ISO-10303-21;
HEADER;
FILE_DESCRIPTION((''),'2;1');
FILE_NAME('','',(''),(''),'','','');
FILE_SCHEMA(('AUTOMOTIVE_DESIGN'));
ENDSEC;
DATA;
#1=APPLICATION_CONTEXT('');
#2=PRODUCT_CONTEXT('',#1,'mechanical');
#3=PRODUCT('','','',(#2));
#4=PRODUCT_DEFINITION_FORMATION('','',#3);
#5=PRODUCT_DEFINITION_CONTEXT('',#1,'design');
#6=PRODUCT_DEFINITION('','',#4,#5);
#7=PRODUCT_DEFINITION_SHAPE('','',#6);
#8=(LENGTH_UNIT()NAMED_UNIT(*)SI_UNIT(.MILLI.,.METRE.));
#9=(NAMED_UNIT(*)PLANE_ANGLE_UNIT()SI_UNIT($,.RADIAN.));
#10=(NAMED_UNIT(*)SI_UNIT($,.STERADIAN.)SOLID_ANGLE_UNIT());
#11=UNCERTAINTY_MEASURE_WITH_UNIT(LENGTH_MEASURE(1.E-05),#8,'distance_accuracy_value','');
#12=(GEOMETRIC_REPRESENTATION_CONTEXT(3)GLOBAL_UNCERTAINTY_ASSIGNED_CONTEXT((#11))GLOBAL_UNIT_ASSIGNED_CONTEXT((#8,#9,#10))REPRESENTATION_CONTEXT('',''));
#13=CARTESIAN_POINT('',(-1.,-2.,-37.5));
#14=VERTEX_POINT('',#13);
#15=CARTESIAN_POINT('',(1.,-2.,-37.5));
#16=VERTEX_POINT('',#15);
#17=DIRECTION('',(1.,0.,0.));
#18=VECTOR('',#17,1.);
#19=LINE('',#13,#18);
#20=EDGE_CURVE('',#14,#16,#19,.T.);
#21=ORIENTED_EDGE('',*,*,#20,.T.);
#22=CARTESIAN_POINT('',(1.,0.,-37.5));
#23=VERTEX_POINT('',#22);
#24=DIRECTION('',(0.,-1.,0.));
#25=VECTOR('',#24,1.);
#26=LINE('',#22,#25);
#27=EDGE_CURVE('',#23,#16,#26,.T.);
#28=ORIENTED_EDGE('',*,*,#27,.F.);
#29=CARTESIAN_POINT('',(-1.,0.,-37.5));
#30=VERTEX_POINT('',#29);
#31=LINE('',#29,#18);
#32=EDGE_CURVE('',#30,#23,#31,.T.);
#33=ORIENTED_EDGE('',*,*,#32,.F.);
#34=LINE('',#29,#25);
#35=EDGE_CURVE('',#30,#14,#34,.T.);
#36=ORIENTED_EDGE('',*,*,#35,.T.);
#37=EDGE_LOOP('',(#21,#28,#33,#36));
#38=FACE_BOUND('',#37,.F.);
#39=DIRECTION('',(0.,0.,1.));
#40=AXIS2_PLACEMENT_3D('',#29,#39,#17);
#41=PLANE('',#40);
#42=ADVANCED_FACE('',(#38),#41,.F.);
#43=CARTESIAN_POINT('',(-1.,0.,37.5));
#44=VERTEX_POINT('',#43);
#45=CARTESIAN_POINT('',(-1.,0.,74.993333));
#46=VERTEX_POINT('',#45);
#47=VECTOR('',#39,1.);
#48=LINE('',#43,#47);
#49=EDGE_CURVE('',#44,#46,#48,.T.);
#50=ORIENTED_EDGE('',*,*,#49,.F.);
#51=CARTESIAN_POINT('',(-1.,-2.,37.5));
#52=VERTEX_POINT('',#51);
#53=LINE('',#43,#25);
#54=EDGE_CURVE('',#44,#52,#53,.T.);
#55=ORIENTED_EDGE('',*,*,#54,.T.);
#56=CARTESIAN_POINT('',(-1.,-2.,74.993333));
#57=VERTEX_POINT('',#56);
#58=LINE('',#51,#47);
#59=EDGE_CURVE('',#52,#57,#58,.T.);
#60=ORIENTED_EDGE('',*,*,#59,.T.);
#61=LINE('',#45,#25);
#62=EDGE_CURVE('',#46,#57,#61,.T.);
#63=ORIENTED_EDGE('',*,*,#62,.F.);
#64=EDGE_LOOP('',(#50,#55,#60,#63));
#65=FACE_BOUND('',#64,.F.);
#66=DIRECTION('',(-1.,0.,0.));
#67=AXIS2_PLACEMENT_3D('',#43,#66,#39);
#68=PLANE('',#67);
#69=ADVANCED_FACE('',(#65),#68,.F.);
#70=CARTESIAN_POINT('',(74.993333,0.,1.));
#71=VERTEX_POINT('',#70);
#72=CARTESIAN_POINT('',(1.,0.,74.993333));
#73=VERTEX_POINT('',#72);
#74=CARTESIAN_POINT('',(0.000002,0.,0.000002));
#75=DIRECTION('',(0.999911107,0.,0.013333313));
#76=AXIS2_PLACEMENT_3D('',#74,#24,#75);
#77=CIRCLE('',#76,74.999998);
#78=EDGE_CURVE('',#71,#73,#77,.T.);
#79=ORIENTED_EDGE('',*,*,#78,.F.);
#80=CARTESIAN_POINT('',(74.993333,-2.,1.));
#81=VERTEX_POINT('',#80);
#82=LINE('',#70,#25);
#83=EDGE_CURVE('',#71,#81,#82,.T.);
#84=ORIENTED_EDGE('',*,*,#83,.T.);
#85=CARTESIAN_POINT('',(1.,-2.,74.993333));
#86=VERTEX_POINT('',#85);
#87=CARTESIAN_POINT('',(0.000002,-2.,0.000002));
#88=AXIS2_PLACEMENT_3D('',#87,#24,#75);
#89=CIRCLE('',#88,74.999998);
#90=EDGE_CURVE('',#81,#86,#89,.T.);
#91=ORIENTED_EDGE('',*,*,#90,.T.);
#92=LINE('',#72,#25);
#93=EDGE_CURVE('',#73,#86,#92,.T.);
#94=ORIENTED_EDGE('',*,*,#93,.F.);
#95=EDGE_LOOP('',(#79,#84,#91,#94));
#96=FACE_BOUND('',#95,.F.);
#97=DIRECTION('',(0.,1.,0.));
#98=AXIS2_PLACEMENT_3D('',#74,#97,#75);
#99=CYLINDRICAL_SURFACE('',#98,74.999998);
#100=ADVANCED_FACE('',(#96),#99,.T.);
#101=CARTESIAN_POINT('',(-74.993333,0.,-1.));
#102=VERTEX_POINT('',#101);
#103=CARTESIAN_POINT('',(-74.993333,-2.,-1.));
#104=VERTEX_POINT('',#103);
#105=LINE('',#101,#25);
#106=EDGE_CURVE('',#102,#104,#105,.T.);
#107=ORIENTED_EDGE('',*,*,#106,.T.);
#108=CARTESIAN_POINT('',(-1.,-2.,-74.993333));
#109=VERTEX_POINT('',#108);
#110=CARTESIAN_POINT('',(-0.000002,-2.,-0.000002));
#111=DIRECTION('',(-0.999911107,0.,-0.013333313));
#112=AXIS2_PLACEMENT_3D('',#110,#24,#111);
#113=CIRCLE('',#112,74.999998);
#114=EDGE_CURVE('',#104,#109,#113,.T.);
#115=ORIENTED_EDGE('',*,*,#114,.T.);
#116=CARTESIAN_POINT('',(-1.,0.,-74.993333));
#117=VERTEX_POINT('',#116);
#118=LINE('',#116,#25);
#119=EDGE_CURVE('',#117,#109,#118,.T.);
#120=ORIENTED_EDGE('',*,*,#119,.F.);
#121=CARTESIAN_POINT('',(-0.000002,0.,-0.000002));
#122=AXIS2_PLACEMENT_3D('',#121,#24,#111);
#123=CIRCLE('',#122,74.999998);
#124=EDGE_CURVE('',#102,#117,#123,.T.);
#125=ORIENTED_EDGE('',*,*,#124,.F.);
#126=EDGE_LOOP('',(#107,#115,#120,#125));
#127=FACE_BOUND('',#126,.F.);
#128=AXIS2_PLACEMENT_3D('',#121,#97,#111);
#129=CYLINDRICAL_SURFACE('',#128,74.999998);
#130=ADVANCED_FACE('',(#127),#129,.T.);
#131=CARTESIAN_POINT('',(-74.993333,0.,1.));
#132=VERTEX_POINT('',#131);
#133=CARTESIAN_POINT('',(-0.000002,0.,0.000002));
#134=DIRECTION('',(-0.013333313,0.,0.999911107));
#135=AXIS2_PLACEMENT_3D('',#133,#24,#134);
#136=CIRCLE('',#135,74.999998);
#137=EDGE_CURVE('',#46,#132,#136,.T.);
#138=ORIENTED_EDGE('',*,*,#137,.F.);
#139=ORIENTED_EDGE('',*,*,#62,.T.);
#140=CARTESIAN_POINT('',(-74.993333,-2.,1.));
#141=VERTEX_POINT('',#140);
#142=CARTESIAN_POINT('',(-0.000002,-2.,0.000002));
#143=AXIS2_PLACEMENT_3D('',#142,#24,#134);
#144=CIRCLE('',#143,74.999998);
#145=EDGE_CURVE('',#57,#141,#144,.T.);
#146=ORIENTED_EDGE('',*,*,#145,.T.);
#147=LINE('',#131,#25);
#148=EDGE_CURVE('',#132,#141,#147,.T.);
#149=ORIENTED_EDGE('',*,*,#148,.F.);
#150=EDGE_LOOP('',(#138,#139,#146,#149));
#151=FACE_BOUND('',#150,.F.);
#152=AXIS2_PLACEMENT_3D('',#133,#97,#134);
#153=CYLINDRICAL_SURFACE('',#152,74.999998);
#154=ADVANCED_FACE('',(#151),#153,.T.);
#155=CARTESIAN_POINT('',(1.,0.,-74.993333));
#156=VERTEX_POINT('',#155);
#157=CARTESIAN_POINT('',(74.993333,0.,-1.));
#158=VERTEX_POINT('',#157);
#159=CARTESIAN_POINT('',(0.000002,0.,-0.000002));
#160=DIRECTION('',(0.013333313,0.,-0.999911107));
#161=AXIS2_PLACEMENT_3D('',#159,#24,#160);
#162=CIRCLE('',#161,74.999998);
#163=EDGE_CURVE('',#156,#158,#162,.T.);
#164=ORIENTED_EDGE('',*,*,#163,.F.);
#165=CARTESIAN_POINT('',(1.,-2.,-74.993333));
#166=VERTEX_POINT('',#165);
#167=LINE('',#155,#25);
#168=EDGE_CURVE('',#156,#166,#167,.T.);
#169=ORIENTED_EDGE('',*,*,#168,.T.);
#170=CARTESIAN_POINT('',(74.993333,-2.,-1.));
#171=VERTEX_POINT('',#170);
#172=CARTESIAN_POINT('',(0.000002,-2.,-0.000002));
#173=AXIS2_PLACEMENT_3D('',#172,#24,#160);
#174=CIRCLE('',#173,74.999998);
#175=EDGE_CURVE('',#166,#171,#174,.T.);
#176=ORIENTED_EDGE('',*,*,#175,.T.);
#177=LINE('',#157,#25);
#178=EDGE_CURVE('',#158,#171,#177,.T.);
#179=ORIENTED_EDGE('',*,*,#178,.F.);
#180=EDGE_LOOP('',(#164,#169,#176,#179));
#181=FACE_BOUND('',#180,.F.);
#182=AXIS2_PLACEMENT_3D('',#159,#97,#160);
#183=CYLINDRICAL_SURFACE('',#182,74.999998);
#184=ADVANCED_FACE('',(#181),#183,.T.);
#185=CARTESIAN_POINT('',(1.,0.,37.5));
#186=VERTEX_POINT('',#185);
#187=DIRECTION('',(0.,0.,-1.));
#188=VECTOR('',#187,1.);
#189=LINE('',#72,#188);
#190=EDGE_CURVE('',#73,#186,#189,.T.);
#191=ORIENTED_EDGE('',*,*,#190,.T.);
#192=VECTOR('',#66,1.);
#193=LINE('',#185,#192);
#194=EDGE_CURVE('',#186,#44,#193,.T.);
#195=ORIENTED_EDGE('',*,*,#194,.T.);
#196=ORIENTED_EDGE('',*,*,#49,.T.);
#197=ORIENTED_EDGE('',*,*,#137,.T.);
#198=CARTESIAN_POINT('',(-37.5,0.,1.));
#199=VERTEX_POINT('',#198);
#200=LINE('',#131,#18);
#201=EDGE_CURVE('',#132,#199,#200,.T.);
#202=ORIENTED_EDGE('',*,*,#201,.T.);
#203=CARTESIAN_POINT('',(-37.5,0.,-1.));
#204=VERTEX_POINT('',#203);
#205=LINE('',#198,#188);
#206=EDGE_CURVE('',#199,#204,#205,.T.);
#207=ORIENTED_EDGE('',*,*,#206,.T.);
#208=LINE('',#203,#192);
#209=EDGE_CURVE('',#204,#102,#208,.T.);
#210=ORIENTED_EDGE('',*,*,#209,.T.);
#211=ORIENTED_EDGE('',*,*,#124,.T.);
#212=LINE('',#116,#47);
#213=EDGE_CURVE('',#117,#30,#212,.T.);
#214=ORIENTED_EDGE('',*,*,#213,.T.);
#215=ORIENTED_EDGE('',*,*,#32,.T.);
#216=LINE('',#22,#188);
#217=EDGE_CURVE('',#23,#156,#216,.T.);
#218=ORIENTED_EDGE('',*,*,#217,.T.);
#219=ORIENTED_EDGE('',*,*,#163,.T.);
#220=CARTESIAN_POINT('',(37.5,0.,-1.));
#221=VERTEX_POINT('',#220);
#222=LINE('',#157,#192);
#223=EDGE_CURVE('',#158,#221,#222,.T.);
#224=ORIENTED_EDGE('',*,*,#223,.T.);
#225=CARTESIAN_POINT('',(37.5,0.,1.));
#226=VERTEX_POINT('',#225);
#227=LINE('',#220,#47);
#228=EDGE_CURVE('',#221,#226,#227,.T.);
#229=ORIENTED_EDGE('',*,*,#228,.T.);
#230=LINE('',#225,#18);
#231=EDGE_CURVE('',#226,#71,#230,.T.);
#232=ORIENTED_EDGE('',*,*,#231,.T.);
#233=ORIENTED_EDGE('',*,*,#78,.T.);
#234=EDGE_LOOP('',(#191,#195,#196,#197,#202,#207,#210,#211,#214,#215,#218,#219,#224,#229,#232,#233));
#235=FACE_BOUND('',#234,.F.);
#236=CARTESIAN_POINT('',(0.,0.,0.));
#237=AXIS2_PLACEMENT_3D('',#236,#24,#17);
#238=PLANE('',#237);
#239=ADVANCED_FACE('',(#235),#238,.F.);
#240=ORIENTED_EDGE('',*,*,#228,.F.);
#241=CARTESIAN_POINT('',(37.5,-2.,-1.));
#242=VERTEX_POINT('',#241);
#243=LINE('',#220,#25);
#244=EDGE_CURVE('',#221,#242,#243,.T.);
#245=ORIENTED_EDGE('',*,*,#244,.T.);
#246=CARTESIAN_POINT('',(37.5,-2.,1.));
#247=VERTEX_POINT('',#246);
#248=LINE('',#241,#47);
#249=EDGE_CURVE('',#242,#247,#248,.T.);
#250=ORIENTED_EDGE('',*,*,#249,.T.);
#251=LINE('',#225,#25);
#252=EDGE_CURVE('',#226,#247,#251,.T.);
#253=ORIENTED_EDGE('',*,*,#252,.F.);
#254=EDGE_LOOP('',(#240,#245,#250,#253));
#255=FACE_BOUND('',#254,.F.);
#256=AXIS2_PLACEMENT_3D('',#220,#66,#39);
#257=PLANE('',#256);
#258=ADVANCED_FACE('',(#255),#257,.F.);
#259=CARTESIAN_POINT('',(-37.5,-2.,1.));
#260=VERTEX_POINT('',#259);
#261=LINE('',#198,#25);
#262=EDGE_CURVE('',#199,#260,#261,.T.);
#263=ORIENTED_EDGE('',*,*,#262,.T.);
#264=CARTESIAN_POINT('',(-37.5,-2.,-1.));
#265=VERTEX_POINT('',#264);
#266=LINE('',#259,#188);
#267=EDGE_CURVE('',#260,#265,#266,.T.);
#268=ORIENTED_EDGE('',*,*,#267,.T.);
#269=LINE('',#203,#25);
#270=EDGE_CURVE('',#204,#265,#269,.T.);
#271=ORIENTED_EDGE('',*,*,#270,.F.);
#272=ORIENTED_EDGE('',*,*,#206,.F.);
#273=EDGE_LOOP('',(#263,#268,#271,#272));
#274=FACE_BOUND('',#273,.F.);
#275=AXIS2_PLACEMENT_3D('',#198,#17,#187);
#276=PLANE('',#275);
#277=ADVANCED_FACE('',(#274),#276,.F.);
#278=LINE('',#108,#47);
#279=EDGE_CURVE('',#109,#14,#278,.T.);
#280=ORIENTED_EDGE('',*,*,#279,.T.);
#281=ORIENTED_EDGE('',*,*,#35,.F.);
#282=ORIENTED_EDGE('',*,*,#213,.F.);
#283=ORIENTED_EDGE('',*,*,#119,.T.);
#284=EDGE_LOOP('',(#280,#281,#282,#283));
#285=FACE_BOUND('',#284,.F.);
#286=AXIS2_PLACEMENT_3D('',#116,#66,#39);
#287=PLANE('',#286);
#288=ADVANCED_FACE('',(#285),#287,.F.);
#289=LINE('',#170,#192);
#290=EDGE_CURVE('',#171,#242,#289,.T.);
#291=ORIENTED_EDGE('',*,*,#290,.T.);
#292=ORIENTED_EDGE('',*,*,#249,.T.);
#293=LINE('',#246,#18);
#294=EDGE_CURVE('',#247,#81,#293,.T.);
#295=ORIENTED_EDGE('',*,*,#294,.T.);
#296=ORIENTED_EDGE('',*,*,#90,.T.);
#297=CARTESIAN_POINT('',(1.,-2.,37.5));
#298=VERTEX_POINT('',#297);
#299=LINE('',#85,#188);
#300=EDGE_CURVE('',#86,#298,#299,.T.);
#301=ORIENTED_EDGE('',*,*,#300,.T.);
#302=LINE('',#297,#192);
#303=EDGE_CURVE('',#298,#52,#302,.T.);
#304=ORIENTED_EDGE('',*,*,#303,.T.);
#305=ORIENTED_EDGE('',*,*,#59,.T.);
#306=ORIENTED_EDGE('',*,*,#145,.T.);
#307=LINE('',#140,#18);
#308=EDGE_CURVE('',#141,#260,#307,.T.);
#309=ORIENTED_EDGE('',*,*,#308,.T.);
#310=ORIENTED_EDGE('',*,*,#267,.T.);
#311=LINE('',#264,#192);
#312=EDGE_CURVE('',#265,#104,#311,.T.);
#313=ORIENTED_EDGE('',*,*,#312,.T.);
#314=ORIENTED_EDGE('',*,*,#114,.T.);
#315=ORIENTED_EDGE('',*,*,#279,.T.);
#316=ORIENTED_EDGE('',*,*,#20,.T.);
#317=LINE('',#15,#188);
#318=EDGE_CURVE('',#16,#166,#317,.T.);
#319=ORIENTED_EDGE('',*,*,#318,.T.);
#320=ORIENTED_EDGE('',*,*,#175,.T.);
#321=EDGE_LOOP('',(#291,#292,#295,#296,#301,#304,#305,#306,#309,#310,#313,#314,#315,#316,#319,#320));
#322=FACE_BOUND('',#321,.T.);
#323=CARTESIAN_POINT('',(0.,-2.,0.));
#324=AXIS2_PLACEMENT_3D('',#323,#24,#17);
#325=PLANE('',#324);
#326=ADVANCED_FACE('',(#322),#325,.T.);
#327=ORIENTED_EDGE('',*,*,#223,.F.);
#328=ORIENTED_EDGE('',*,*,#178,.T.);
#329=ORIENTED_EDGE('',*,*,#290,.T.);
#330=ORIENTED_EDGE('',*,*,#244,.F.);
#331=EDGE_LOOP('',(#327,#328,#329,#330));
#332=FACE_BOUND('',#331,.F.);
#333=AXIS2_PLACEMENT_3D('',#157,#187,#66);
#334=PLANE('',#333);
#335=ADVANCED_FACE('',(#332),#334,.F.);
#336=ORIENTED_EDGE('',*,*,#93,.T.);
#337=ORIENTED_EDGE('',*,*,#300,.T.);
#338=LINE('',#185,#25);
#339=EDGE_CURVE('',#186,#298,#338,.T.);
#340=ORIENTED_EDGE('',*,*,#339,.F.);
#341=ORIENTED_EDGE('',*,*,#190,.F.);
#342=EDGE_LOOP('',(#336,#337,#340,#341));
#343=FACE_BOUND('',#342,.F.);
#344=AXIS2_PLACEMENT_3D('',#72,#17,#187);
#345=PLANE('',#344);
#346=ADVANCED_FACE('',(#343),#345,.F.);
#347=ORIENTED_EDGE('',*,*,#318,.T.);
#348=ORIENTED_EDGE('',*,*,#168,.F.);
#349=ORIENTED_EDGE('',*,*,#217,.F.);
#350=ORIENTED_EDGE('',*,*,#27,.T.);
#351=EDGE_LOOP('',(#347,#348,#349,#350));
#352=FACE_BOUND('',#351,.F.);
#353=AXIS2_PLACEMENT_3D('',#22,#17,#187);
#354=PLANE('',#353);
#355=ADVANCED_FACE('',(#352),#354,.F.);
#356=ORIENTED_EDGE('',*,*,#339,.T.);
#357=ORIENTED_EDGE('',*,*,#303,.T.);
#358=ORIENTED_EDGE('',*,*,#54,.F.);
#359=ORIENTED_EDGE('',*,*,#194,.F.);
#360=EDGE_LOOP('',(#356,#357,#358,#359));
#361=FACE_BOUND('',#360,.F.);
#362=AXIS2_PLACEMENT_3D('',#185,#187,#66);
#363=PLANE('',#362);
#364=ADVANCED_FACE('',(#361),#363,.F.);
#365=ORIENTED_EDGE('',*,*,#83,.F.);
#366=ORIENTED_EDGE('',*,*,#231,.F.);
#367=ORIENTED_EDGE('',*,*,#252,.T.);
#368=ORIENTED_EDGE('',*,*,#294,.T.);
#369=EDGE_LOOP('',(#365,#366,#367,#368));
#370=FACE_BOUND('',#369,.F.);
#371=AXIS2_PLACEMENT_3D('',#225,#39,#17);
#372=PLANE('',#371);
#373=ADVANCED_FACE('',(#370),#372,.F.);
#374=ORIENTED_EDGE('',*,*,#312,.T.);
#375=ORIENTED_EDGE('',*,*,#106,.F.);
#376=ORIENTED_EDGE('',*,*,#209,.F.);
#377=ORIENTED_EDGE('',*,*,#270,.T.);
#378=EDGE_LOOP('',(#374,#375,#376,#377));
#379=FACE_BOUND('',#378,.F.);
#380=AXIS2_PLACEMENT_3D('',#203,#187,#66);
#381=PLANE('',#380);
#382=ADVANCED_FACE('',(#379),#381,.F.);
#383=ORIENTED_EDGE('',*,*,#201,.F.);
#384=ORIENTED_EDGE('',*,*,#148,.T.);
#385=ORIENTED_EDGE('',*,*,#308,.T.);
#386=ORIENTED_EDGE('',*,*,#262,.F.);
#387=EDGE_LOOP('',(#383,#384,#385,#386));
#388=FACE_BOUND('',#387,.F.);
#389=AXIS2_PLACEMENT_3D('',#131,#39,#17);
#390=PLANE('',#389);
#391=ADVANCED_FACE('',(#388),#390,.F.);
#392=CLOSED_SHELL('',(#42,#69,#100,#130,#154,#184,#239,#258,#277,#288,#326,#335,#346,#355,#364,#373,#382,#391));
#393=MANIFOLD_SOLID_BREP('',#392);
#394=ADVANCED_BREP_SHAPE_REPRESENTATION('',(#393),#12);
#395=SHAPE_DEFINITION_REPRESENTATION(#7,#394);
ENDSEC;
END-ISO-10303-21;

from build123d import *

# Parameters (mm, degrees)
F1_DEPTH = 2


with BuildPart() as f1:
    # F0 (on Front) → F1 (new body)
    with BuildSketch(Plane.XZ):
        with BuildLine():
            Line((-1, 37.5), (-1, 74.993333))
            ThreePointArc((-1, 74.993333), (-53.033009, 53.033009), (-74.993333, 1))
            Line((-74.993333, 1), (-37.5, 1))
            Line((-37.5, 1), (-37.5, 0))
            Line((-37.5, 0), (-37.5, -1))
            Line((-37.5, -1), (-74.993333, -1))
            ThreePointArc((-74.993333, -1), (-53.033009, -53.033009), (-1, -74.993333))
            Line((-1, -74.993333), (-1, -37.5))
            Line((-1, -37.5), (1, -37.5))
            Line((1, -37.5), (1, -74.993333))
            ThreePointArc((1, -74.993333), (53.033009, -53.033009), (74.993333, -1))
            Line((74.993333, -1), (37.5, -1))
            Line((37.5, -1), (37.5, 0))
            Line((37.5, 0), (37.5, 1))
            Line((37.5, 1), (74.993333, 1))
            ThreePointArc((74.993333, 1), (53.033009, 53.033009), (1, 74.993333))
            Line((1, 74.993333), (1, 37.5))
            Line((1, 37.5), (-1, 37.5))
        make_face()
    extrude(amount=F1_DEPTH)


solid = f1.part
